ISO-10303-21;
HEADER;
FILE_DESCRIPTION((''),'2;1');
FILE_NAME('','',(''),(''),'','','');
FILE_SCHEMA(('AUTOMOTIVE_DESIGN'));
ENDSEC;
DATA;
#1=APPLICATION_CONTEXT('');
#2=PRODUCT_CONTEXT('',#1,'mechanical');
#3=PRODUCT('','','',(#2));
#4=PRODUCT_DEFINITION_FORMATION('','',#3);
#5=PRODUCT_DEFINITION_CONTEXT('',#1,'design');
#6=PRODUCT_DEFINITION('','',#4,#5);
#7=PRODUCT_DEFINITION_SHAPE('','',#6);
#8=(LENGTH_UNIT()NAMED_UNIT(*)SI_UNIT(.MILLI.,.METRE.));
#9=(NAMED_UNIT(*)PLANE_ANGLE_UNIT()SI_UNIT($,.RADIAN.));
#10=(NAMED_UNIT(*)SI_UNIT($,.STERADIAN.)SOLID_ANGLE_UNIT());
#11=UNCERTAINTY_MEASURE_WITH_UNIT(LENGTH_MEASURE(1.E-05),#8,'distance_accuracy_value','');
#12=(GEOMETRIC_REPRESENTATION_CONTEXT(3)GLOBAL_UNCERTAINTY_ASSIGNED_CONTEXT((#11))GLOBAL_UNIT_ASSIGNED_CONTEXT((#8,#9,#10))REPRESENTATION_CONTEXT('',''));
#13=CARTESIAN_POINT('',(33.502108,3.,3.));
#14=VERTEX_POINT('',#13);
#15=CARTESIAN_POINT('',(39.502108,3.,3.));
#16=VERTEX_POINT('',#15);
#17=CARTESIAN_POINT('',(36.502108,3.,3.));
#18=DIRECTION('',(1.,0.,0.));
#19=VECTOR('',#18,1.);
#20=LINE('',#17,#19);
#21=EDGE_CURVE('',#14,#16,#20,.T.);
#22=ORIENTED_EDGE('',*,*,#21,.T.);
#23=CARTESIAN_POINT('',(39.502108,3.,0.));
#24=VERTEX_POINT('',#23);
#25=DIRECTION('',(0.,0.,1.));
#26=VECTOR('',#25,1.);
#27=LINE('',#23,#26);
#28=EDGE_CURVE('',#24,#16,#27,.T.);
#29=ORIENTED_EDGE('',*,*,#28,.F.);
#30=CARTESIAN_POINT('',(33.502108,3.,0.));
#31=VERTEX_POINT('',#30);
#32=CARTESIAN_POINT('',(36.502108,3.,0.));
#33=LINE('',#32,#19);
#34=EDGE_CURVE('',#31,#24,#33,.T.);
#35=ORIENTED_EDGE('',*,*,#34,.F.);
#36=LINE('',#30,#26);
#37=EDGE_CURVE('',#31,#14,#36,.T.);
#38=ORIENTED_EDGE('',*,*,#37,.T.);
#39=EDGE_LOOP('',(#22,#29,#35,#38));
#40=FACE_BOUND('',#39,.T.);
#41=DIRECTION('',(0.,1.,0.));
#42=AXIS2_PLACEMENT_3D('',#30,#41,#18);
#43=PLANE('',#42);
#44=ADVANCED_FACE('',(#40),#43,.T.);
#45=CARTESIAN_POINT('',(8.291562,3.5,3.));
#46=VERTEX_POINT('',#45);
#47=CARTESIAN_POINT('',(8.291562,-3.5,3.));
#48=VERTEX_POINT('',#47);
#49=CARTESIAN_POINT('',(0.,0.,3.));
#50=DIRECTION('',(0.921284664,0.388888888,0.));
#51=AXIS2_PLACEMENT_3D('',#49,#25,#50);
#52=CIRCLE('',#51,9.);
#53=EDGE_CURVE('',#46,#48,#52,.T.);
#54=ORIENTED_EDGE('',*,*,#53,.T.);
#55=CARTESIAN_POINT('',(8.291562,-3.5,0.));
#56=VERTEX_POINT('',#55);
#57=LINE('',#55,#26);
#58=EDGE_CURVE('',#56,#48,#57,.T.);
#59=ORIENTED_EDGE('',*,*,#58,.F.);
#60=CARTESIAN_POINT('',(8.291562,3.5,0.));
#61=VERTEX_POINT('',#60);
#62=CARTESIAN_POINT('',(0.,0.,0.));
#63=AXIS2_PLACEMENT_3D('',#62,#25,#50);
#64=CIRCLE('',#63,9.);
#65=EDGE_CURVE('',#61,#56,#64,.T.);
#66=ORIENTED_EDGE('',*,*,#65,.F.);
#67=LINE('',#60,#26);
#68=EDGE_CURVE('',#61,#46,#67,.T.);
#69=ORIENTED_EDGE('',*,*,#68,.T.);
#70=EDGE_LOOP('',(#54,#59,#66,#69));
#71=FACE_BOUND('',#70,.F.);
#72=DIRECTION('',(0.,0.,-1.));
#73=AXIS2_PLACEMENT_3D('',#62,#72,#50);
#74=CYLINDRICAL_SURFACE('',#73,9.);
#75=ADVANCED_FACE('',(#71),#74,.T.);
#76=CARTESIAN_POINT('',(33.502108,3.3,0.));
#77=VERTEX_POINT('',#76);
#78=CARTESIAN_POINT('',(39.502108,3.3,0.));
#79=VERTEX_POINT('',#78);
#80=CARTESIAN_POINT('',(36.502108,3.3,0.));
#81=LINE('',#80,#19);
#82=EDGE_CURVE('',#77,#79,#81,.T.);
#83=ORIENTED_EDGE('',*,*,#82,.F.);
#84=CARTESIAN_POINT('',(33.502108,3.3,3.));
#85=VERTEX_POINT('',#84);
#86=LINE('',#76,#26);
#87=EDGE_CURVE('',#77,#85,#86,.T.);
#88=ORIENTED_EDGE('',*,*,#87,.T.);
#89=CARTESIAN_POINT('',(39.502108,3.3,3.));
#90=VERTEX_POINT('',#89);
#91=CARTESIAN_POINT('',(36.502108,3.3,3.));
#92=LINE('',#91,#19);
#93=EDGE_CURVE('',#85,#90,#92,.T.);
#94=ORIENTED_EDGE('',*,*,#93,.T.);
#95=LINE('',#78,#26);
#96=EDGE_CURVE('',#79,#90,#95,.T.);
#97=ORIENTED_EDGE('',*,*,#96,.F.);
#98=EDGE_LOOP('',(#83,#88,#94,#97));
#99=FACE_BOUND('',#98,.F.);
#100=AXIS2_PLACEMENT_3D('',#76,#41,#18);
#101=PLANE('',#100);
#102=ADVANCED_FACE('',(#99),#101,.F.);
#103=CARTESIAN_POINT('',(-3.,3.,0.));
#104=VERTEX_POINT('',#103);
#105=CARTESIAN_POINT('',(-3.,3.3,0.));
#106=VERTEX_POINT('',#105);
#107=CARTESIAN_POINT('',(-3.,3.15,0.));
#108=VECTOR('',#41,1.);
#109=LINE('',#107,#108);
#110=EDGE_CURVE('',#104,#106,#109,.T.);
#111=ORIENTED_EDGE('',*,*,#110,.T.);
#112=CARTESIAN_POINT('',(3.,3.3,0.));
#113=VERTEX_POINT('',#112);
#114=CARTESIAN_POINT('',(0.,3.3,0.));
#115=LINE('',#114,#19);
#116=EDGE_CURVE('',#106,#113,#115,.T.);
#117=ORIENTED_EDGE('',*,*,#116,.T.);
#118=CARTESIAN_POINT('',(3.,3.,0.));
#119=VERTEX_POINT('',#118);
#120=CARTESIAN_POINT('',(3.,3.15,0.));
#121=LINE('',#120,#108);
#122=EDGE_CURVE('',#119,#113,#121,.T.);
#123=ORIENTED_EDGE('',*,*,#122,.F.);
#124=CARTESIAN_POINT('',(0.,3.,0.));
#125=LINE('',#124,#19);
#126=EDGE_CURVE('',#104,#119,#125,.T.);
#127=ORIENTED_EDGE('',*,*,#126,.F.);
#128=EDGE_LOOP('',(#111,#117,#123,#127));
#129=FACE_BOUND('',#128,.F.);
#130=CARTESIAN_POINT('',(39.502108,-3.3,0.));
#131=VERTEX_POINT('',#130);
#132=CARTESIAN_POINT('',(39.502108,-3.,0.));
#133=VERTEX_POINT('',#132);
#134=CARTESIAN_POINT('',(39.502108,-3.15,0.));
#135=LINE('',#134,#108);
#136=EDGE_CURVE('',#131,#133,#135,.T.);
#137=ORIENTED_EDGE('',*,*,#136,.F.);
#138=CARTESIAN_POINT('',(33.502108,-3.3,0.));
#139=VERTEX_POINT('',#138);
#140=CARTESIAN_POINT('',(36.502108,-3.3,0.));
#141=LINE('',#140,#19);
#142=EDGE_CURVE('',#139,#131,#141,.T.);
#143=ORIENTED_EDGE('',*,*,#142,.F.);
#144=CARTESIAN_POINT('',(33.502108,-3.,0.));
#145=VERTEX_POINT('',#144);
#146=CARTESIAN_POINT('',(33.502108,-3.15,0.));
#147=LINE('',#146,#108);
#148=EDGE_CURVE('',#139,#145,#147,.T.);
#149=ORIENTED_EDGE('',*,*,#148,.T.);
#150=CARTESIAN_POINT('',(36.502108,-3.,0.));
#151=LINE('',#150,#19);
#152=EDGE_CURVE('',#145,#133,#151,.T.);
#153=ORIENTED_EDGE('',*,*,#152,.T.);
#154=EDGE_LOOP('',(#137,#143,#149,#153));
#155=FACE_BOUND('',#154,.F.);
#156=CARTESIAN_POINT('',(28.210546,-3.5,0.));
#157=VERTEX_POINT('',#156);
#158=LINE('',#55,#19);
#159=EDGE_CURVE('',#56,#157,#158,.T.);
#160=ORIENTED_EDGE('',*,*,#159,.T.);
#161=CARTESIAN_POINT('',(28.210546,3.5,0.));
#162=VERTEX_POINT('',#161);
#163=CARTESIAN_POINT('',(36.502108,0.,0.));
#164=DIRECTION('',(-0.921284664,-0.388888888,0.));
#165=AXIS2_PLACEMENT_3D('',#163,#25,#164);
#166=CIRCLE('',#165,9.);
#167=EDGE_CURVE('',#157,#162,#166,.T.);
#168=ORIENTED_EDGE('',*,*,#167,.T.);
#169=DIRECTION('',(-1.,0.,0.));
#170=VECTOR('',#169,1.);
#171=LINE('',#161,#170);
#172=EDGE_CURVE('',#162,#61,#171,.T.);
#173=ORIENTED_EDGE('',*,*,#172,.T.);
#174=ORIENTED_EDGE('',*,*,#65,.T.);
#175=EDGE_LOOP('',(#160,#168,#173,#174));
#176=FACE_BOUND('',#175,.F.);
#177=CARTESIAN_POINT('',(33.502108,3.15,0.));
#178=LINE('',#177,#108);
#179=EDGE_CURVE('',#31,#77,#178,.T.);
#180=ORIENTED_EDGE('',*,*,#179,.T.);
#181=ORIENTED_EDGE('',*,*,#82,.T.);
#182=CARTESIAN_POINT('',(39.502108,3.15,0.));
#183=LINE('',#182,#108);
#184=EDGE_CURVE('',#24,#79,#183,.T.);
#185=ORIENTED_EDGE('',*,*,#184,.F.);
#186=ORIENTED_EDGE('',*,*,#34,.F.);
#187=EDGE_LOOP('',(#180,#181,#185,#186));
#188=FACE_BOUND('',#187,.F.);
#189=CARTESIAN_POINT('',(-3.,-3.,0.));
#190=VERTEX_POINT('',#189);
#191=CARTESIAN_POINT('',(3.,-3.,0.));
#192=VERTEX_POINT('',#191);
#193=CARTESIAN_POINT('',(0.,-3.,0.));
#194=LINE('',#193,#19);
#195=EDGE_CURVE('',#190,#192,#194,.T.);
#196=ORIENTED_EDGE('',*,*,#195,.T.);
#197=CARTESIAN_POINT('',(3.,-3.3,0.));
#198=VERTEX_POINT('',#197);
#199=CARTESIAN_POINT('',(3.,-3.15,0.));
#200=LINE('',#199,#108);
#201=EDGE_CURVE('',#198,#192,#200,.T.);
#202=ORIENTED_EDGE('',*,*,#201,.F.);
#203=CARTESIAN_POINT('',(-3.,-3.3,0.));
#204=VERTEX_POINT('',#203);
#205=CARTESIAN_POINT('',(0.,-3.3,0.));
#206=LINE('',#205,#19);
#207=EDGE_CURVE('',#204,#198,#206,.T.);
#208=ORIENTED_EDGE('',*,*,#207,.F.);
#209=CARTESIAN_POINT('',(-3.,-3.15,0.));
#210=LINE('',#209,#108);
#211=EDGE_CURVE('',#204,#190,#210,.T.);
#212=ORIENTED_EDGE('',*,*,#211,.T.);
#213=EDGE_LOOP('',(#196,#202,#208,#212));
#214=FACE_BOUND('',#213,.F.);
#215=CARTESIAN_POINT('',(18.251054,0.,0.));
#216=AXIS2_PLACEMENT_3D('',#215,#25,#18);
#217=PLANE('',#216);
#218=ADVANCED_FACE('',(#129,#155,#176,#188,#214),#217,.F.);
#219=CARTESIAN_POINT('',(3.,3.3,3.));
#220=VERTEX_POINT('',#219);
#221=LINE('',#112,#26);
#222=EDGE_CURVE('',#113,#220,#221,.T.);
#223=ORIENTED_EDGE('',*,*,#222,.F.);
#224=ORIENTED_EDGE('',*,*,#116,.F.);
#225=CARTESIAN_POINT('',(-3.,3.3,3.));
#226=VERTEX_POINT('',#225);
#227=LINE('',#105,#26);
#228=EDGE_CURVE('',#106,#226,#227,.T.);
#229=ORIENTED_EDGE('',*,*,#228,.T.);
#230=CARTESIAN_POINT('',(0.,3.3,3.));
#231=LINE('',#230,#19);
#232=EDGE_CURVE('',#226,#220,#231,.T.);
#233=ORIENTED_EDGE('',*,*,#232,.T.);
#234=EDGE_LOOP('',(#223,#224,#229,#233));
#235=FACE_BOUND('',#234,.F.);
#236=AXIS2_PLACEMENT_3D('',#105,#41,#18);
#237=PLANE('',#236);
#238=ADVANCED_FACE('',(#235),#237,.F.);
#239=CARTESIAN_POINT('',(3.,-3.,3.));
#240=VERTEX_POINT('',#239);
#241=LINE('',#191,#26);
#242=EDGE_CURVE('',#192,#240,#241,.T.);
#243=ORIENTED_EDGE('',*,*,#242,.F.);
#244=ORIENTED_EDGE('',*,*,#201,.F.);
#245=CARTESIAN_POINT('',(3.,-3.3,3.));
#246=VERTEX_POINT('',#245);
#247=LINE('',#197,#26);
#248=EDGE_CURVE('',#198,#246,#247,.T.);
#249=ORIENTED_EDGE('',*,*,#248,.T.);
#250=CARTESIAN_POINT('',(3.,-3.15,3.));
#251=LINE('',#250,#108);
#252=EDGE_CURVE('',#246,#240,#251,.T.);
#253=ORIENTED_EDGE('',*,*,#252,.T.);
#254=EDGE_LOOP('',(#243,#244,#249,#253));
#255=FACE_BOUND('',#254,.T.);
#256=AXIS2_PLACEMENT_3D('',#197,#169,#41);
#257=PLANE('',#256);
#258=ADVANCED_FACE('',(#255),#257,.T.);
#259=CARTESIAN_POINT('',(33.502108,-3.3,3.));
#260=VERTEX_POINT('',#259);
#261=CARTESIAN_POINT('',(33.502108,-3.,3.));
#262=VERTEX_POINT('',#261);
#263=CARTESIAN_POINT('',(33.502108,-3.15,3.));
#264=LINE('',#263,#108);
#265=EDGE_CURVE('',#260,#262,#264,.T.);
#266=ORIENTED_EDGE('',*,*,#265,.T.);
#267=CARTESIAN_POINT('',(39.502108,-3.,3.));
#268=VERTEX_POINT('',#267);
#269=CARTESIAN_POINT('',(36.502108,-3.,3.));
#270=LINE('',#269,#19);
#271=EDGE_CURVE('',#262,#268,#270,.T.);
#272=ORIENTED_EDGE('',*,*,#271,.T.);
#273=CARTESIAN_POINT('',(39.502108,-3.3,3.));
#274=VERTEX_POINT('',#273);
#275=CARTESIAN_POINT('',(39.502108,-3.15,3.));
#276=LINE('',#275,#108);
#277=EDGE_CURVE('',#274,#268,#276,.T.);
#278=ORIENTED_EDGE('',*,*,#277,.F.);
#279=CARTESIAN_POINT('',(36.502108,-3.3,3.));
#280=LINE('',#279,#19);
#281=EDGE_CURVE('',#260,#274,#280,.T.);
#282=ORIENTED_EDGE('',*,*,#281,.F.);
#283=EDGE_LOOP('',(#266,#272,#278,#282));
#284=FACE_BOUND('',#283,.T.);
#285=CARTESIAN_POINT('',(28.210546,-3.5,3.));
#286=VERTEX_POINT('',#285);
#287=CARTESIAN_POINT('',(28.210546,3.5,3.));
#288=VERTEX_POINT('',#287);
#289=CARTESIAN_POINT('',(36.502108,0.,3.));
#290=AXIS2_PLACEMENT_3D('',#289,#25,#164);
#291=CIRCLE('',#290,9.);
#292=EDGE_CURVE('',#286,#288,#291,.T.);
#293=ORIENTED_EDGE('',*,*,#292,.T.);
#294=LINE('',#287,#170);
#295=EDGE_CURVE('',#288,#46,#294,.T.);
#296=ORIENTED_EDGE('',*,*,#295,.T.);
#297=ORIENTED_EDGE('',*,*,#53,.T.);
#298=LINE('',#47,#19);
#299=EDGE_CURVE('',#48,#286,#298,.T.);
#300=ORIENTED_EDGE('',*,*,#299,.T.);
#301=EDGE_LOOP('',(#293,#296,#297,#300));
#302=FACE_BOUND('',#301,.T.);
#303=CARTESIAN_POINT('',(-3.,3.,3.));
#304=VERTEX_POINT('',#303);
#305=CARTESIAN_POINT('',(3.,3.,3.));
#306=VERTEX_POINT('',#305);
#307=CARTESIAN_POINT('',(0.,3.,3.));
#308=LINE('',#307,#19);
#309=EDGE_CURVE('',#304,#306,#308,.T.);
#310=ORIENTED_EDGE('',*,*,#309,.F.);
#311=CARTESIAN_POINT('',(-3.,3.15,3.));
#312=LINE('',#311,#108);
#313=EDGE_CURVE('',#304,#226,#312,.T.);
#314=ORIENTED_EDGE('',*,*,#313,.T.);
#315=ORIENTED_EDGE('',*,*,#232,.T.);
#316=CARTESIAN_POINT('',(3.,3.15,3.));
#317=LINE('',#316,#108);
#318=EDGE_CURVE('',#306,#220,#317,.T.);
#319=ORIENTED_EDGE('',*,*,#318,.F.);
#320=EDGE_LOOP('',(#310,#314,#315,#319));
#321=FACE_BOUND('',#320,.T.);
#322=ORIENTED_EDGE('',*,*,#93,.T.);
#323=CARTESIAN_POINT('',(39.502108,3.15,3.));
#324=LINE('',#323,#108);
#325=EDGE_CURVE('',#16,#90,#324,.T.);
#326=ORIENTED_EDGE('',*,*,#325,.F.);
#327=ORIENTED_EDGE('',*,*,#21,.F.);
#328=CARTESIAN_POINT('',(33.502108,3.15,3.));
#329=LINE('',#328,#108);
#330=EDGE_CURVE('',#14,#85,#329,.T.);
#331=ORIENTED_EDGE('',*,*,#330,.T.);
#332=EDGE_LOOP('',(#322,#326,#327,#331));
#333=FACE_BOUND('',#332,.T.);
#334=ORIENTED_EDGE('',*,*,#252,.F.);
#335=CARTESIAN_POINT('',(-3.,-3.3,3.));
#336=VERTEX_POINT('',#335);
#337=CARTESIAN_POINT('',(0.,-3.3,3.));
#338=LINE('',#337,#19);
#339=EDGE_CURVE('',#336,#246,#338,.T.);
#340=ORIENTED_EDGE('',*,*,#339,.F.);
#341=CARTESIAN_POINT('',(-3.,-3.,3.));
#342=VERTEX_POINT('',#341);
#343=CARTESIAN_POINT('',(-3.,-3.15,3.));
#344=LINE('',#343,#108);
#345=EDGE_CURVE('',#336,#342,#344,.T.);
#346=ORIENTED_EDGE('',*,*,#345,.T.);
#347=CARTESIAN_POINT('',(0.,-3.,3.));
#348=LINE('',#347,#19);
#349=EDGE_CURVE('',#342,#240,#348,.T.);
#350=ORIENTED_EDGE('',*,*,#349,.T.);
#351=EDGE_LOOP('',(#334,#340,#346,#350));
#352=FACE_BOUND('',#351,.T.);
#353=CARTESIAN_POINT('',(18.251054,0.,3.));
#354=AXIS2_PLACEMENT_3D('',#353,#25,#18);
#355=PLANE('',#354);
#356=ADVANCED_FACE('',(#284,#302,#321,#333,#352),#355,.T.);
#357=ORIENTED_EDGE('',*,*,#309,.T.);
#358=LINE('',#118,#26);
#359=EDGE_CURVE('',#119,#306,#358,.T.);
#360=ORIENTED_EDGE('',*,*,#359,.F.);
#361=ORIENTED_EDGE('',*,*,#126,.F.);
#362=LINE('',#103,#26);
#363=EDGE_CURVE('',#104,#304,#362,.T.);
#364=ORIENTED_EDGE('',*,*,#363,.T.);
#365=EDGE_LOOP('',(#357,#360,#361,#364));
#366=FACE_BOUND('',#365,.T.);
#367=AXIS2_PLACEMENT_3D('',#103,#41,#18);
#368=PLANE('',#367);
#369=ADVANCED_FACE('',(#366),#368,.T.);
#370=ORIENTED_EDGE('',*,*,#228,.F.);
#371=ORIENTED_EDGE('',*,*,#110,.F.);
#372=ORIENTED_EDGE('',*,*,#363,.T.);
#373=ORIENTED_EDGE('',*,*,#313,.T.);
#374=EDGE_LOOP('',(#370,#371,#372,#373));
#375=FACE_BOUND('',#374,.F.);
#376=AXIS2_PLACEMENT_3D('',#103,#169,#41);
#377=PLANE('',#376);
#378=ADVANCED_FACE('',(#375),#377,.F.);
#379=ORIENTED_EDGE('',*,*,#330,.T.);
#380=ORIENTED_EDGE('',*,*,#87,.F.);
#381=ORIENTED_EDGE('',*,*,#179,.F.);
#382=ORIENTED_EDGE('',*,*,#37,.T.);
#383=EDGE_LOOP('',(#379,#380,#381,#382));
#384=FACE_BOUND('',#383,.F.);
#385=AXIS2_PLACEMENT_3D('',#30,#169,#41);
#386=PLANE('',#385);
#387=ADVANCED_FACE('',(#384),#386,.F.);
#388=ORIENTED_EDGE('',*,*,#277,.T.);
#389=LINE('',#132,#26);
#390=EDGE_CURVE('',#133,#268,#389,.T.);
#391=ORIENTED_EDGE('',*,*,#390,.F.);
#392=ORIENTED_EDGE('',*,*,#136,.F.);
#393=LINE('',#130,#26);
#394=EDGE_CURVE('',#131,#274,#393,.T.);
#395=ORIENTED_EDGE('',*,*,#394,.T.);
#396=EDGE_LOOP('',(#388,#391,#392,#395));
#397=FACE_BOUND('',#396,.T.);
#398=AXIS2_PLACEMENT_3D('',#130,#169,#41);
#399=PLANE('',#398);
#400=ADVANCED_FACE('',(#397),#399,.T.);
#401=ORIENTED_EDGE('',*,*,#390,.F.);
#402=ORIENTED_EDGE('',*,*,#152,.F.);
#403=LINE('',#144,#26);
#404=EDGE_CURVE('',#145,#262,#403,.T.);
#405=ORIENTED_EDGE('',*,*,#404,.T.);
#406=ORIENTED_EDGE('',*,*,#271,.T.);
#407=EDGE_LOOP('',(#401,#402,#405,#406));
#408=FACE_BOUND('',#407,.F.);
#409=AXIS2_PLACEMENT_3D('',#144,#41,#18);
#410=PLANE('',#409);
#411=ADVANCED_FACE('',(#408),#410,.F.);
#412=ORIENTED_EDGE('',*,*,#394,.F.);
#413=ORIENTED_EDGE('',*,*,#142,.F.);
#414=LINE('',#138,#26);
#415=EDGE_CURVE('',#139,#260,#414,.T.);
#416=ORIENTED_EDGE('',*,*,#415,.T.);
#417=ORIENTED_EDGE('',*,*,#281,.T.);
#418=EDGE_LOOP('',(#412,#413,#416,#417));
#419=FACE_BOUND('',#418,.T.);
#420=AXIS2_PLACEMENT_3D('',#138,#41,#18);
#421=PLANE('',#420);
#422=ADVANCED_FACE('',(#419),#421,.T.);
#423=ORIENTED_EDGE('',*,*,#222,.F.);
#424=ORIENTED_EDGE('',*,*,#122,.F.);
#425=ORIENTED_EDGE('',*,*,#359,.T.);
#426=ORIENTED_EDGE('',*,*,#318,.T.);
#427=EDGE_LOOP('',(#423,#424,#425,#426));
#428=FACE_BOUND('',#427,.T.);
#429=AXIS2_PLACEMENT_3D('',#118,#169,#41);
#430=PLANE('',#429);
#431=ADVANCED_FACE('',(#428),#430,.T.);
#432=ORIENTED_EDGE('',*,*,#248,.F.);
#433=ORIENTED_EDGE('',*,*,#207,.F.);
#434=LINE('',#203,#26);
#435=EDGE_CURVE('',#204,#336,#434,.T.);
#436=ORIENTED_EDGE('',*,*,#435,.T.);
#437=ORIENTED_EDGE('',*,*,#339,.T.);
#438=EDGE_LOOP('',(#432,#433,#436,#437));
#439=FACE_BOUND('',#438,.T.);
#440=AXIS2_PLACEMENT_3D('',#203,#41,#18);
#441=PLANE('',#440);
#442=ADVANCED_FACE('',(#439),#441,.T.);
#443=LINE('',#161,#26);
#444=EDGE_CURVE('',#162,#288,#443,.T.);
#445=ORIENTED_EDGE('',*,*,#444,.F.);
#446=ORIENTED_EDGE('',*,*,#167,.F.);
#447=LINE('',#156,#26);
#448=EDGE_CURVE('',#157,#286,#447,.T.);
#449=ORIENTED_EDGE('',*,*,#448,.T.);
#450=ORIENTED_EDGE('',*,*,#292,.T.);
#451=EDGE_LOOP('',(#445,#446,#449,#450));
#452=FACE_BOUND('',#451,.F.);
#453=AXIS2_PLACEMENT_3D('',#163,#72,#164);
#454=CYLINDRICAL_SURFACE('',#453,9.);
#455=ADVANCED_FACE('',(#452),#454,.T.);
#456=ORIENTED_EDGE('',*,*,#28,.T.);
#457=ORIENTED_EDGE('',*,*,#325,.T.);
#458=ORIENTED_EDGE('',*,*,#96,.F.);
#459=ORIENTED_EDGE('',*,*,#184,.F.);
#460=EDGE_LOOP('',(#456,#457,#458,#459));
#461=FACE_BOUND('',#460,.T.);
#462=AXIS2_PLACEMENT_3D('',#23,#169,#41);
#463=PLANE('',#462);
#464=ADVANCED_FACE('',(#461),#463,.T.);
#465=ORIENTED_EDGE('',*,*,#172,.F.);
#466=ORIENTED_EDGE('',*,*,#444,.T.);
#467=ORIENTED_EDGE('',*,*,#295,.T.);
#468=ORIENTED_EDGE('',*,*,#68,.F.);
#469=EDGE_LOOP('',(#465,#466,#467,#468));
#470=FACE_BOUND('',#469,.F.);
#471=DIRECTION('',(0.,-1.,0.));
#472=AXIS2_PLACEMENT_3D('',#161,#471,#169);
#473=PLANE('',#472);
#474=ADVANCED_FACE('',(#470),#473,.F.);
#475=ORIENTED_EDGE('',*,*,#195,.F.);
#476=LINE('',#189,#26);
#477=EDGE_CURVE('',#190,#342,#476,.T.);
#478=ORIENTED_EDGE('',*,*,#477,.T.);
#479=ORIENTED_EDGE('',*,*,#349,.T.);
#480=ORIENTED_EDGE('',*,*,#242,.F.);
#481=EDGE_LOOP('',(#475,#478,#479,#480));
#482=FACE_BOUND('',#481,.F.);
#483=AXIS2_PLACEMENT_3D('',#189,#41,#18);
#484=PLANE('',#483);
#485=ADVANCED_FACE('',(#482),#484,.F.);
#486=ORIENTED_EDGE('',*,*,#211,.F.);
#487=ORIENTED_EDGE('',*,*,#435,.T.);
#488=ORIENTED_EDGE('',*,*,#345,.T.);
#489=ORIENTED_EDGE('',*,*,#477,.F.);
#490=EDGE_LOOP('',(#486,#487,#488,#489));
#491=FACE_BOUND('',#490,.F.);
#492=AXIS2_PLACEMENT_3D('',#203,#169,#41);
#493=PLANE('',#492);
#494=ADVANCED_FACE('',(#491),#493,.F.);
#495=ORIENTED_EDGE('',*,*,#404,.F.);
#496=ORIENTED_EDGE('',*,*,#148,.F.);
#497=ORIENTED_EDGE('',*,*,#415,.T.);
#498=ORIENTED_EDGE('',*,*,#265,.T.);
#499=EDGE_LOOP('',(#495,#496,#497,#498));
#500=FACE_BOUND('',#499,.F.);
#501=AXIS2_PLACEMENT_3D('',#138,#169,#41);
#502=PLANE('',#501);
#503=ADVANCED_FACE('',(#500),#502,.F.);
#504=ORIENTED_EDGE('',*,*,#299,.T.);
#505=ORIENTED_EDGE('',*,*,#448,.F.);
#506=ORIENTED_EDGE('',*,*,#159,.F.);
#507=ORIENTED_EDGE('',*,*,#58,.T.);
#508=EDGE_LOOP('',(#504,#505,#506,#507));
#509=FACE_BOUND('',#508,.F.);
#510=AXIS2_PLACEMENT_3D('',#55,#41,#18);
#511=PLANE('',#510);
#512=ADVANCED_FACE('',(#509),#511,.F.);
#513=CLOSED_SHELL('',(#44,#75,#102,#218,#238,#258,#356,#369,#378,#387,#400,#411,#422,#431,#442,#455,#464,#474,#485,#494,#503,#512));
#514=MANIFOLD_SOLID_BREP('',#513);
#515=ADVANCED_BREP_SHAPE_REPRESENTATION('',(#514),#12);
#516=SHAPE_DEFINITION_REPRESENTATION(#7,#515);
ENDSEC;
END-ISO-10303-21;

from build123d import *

# Parameters (mm, degrees)
F0_W     = 6
F0_H     = 0.3
F1_DEPTH = 3


with BuildPart() as f1:
    # F0 (on Top) → F1 (new body)
    with BuildSketch(Plane.XY):
        with BuildLine():
            Line((28.210546, 3.5), (8.291562, 3.5))
            ThreePointArc((8.291562, 3.5), (-9, 0), (8.291562, -3.5))
            Line((8.291562, -3.5), (28.210546, -3.5))
            ThreePointArc((28.210546, -3.5), (45.502108, 0), (28.210546, 3.5))
        make_face()
        with Locations((0, -3.15)):
            Rectangle(F0_W, F0_H, mode=Mode.SUBTRACT)
        with Locations((36.502108, -3.15)):
            Rectangle(F0_W, F0_H, mode=Mode.SUBTRACT)
        with Locations((0, 3.15)):
            Rectangle(F0_W, F0_H, mode=Mode.SUBTRACT)
        with Locations((36.502108, 3.15)):
            Rectangle(F0_W, F0_H, mode=Mode.SUBTRACT)
    extrude(amount=F1_DEPTH)


solid = f1.part
